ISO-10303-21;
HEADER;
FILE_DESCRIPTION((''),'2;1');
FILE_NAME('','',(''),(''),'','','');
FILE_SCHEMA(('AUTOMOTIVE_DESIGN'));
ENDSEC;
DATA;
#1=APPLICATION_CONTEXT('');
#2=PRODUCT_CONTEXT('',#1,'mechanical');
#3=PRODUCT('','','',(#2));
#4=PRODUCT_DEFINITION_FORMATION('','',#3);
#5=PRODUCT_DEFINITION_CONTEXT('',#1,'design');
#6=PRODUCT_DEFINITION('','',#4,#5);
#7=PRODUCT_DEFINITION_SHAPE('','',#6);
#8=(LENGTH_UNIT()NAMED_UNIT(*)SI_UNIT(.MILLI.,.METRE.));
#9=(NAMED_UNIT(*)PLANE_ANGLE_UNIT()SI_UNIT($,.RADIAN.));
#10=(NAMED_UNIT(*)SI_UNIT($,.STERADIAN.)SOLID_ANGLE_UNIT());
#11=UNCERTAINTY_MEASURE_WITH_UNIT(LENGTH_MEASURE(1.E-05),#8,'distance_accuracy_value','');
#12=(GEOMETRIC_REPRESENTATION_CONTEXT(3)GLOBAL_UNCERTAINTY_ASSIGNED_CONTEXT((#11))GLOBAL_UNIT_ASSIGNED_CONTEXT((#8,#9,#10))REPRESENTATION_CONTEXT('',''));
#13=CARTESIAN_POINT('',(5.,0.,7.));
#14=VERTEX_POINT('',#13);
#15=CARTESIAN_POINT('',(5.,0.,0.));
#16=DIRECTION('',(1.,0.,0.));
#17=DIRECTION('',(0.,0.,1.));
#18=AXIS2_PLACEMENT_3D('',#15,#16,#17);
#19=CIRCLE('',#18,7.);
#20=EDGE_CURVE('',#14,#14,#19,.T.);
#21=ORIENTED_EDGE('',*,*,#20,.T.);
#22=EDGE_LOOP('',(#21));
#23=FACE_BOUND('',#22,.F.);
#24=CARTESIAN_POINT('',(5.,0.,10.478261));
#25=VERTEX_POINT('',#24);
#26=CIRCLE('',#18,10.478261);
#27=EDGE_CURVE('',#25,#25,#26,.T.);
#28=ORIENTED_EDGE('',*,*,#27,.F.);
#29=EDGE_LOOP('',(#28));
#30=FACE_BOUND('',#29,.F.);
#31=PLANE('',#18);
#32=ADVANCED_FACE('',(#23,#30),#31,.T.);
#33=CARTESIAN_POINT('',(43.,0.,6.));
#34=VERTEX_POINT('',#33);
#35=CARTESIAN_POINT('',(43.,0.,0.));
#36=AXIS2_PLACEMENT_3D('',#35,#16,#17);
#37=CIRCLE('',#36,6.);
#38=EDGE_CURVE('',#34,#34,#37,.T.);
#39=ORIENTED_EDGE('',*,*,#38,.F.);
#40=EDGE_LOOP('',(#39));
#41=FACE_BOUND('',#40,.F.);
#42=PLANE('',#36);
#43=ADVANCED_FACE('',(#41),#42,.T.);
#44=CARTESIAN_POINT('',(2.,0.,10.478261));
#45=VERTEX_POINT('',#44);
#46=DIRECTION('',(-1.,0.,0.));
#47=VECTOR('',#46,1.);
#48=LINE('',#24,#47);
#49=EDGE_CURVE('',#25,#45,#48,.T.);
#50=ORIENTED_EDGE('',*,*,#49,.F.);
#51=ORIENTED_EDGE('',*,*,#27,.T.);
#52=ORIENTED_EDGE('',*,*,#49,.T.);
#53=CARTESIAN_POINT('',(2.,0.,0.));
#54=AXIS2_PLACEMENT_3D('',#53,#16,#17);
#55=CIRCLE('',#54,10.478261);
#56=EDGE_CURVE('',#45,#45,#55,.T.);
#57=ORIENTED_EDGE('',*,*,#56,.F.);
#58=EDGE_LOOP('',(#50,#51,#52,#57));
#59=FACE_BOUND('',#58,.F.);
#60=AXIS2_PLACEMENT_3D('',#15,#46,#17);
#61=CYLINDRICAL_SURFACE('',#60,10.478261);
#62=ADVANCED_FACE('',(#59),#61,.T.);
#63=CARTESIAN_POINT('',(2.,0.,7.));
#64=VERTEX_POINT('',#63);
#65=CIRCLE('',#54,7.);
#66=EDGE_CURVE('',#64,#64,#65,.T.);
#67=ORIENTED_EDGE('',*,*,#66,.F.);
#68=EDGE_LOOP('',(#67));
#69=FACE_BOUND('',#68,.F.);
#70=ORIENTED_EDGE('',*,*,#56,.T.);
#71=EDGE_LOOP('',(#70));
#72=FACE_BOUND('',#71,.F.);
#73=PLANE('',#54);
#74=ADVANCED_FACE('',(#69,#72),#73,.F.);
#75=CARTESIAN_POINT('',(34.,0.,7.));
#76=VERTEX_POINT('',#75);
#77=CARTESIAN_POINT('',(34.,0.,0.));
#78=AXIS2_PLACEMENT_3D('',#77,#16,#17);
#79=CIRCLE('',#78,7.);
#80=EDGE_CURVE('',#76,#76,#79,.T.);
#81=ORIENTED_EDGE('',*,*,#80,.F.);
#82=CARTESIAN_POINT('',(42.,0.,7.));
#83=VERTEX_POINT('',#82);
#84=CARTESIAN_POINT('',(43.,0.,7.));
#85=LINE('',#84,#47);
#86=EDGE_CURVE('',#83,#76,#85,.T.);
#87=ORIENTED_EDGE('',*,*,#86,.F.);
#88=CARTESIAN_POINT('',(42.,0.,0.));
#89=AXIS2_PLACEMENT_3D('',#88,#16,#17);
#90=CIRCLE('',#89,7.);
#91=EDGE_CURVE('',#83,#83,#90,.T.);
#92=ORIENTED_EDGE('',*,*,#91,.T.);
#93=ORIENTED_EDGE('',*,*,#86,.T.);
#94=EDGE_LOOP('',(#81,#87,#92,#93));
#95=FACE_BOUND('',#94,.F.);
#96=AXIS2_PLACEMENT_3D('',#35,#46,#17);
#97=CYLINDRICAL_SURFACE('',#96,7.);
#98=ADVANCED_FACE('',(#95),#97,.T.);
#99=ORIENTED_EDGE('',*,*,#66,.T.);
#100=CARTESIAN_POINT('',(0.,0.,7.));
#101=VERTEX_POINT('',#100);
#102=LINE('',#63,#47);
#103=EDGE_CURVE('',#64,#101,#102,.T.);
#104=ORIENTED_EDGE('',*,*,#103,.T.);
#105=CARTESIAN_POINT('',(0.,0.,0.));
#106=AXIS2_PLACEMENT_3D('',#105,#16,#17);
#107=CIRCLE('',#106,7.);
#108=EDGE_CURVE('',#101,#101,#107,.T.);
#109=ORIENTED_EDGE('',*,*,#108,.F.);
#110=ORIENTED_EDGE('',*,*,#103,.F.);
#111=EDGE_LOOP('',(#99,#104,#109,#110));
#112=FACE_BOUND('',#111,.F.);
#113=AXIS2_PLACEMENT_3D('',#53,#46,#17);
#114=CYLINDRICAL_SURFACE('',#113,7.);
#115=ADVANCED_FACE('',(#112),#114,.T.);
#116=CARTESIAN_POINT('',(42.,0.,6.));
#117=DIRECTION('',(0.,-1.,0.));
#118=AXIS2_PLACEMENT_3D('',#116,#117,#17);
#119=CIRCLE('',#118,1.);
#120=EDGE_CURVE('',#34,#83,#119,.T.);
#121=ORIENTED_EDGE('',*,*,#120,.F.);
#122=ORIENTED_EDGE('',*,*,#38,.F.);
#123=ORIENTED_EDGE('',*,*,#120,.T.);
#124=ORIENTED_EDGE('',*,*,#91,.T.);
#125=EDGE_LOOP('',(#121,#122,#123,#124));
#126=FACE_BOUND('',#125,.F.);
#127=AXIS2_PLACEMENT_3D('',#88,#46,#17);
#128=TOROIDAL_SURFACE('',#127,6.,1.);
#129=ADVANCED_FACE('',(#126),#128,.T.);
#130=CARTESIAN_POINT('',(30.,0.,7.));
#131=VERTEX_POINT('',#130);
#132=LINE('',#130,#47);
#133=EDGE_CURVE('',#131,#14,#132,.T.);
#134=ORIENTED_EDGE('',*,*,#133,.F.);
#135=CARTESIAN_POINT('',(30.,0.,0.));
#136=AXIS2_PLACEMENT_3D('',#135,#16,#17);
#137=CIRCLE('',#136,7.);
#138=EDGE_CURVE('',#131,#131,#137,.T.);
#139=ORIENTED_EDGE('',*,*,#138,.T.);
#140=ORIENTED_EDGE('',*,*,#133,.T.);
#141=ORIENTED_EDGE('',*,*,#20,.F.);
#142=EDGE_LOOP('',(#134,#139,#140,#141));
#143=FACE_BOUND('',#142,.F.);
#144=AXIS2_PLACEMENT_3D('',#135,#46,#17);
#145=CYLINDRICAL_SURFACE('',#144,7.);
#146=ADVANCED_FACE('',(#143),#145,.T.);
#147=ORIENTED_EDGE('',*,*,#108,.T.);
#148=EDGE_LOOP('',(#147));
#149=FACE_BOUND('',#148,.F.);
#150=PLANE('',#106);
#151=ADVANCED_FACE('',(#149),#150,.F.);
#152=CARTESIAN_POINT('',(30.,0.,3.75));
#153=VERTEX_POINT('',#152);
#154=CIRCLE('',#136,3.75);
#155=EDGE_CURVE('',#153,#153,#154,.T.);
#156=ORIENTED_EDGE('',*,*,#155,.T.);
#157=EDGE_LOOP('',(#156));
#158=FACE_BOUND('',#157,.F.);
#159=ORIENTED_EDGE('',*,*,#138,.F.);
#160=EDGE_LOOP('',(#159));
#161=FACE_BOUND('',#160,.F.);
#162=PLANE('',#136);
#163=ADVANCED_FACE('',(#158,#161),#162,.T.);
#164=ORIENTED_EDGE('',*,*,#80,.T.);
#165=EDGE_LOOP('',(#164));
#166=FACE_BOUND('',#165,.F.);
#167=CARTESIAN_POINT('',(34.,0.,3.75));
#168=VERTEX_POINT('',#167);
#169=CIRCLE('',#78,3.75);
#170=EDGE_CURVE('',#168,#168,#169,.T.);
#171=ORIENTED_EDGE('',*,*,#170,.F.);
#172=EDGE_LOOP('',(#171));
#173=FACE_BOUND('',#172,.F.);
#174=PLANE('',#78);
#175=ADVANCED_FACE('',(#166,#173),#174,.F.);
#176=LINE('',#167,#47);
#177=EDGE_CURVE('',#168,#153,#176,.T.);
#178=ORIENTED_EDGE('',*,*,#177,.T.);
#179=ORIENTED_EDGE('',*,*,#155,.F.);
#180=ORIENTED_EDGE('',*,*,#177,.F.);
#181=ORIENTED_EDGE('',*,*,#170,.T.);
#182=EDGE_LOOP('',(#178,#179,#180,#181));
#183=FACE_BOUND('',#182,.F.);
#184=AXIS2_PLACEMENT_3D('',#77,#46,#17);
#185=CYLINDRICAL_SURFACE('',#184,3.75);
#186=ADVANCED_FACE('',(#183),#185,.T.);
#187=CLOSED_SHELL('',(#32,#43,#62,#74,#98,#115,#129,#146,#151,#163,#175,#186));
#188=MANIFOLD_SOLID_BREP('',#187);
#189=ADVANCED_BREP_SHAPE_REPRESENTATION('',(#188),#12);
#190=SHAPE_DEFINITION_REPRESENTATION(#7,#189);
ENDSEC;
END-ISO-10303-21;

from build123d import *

# Parameters (mm, degrees)
F2_R = 1


with BuildPart() as f1:
    # F0 (on Front) → F1 (revolve)
    with BuildSketch(Plane.XZ):
        Polygon((0, 7), (0, 0), (43, 0), (43, 7), (34, 7), (34, 3.75), (30, 3.75), (30, 7), (5, 7), (5, 10.478261), (2, 10.478261), (2, 7), align=None)
    revolve(axis=Axis((21.5, 0, 0), (1, 0, 0)))

    # F2
    f2_edges = [f1.edges().sort_by_distance(p)[0] for p in [
        (43, 0, -7),
    ]]
    fillet(f2_edges, radius=F2_R)


solid = f1.part
